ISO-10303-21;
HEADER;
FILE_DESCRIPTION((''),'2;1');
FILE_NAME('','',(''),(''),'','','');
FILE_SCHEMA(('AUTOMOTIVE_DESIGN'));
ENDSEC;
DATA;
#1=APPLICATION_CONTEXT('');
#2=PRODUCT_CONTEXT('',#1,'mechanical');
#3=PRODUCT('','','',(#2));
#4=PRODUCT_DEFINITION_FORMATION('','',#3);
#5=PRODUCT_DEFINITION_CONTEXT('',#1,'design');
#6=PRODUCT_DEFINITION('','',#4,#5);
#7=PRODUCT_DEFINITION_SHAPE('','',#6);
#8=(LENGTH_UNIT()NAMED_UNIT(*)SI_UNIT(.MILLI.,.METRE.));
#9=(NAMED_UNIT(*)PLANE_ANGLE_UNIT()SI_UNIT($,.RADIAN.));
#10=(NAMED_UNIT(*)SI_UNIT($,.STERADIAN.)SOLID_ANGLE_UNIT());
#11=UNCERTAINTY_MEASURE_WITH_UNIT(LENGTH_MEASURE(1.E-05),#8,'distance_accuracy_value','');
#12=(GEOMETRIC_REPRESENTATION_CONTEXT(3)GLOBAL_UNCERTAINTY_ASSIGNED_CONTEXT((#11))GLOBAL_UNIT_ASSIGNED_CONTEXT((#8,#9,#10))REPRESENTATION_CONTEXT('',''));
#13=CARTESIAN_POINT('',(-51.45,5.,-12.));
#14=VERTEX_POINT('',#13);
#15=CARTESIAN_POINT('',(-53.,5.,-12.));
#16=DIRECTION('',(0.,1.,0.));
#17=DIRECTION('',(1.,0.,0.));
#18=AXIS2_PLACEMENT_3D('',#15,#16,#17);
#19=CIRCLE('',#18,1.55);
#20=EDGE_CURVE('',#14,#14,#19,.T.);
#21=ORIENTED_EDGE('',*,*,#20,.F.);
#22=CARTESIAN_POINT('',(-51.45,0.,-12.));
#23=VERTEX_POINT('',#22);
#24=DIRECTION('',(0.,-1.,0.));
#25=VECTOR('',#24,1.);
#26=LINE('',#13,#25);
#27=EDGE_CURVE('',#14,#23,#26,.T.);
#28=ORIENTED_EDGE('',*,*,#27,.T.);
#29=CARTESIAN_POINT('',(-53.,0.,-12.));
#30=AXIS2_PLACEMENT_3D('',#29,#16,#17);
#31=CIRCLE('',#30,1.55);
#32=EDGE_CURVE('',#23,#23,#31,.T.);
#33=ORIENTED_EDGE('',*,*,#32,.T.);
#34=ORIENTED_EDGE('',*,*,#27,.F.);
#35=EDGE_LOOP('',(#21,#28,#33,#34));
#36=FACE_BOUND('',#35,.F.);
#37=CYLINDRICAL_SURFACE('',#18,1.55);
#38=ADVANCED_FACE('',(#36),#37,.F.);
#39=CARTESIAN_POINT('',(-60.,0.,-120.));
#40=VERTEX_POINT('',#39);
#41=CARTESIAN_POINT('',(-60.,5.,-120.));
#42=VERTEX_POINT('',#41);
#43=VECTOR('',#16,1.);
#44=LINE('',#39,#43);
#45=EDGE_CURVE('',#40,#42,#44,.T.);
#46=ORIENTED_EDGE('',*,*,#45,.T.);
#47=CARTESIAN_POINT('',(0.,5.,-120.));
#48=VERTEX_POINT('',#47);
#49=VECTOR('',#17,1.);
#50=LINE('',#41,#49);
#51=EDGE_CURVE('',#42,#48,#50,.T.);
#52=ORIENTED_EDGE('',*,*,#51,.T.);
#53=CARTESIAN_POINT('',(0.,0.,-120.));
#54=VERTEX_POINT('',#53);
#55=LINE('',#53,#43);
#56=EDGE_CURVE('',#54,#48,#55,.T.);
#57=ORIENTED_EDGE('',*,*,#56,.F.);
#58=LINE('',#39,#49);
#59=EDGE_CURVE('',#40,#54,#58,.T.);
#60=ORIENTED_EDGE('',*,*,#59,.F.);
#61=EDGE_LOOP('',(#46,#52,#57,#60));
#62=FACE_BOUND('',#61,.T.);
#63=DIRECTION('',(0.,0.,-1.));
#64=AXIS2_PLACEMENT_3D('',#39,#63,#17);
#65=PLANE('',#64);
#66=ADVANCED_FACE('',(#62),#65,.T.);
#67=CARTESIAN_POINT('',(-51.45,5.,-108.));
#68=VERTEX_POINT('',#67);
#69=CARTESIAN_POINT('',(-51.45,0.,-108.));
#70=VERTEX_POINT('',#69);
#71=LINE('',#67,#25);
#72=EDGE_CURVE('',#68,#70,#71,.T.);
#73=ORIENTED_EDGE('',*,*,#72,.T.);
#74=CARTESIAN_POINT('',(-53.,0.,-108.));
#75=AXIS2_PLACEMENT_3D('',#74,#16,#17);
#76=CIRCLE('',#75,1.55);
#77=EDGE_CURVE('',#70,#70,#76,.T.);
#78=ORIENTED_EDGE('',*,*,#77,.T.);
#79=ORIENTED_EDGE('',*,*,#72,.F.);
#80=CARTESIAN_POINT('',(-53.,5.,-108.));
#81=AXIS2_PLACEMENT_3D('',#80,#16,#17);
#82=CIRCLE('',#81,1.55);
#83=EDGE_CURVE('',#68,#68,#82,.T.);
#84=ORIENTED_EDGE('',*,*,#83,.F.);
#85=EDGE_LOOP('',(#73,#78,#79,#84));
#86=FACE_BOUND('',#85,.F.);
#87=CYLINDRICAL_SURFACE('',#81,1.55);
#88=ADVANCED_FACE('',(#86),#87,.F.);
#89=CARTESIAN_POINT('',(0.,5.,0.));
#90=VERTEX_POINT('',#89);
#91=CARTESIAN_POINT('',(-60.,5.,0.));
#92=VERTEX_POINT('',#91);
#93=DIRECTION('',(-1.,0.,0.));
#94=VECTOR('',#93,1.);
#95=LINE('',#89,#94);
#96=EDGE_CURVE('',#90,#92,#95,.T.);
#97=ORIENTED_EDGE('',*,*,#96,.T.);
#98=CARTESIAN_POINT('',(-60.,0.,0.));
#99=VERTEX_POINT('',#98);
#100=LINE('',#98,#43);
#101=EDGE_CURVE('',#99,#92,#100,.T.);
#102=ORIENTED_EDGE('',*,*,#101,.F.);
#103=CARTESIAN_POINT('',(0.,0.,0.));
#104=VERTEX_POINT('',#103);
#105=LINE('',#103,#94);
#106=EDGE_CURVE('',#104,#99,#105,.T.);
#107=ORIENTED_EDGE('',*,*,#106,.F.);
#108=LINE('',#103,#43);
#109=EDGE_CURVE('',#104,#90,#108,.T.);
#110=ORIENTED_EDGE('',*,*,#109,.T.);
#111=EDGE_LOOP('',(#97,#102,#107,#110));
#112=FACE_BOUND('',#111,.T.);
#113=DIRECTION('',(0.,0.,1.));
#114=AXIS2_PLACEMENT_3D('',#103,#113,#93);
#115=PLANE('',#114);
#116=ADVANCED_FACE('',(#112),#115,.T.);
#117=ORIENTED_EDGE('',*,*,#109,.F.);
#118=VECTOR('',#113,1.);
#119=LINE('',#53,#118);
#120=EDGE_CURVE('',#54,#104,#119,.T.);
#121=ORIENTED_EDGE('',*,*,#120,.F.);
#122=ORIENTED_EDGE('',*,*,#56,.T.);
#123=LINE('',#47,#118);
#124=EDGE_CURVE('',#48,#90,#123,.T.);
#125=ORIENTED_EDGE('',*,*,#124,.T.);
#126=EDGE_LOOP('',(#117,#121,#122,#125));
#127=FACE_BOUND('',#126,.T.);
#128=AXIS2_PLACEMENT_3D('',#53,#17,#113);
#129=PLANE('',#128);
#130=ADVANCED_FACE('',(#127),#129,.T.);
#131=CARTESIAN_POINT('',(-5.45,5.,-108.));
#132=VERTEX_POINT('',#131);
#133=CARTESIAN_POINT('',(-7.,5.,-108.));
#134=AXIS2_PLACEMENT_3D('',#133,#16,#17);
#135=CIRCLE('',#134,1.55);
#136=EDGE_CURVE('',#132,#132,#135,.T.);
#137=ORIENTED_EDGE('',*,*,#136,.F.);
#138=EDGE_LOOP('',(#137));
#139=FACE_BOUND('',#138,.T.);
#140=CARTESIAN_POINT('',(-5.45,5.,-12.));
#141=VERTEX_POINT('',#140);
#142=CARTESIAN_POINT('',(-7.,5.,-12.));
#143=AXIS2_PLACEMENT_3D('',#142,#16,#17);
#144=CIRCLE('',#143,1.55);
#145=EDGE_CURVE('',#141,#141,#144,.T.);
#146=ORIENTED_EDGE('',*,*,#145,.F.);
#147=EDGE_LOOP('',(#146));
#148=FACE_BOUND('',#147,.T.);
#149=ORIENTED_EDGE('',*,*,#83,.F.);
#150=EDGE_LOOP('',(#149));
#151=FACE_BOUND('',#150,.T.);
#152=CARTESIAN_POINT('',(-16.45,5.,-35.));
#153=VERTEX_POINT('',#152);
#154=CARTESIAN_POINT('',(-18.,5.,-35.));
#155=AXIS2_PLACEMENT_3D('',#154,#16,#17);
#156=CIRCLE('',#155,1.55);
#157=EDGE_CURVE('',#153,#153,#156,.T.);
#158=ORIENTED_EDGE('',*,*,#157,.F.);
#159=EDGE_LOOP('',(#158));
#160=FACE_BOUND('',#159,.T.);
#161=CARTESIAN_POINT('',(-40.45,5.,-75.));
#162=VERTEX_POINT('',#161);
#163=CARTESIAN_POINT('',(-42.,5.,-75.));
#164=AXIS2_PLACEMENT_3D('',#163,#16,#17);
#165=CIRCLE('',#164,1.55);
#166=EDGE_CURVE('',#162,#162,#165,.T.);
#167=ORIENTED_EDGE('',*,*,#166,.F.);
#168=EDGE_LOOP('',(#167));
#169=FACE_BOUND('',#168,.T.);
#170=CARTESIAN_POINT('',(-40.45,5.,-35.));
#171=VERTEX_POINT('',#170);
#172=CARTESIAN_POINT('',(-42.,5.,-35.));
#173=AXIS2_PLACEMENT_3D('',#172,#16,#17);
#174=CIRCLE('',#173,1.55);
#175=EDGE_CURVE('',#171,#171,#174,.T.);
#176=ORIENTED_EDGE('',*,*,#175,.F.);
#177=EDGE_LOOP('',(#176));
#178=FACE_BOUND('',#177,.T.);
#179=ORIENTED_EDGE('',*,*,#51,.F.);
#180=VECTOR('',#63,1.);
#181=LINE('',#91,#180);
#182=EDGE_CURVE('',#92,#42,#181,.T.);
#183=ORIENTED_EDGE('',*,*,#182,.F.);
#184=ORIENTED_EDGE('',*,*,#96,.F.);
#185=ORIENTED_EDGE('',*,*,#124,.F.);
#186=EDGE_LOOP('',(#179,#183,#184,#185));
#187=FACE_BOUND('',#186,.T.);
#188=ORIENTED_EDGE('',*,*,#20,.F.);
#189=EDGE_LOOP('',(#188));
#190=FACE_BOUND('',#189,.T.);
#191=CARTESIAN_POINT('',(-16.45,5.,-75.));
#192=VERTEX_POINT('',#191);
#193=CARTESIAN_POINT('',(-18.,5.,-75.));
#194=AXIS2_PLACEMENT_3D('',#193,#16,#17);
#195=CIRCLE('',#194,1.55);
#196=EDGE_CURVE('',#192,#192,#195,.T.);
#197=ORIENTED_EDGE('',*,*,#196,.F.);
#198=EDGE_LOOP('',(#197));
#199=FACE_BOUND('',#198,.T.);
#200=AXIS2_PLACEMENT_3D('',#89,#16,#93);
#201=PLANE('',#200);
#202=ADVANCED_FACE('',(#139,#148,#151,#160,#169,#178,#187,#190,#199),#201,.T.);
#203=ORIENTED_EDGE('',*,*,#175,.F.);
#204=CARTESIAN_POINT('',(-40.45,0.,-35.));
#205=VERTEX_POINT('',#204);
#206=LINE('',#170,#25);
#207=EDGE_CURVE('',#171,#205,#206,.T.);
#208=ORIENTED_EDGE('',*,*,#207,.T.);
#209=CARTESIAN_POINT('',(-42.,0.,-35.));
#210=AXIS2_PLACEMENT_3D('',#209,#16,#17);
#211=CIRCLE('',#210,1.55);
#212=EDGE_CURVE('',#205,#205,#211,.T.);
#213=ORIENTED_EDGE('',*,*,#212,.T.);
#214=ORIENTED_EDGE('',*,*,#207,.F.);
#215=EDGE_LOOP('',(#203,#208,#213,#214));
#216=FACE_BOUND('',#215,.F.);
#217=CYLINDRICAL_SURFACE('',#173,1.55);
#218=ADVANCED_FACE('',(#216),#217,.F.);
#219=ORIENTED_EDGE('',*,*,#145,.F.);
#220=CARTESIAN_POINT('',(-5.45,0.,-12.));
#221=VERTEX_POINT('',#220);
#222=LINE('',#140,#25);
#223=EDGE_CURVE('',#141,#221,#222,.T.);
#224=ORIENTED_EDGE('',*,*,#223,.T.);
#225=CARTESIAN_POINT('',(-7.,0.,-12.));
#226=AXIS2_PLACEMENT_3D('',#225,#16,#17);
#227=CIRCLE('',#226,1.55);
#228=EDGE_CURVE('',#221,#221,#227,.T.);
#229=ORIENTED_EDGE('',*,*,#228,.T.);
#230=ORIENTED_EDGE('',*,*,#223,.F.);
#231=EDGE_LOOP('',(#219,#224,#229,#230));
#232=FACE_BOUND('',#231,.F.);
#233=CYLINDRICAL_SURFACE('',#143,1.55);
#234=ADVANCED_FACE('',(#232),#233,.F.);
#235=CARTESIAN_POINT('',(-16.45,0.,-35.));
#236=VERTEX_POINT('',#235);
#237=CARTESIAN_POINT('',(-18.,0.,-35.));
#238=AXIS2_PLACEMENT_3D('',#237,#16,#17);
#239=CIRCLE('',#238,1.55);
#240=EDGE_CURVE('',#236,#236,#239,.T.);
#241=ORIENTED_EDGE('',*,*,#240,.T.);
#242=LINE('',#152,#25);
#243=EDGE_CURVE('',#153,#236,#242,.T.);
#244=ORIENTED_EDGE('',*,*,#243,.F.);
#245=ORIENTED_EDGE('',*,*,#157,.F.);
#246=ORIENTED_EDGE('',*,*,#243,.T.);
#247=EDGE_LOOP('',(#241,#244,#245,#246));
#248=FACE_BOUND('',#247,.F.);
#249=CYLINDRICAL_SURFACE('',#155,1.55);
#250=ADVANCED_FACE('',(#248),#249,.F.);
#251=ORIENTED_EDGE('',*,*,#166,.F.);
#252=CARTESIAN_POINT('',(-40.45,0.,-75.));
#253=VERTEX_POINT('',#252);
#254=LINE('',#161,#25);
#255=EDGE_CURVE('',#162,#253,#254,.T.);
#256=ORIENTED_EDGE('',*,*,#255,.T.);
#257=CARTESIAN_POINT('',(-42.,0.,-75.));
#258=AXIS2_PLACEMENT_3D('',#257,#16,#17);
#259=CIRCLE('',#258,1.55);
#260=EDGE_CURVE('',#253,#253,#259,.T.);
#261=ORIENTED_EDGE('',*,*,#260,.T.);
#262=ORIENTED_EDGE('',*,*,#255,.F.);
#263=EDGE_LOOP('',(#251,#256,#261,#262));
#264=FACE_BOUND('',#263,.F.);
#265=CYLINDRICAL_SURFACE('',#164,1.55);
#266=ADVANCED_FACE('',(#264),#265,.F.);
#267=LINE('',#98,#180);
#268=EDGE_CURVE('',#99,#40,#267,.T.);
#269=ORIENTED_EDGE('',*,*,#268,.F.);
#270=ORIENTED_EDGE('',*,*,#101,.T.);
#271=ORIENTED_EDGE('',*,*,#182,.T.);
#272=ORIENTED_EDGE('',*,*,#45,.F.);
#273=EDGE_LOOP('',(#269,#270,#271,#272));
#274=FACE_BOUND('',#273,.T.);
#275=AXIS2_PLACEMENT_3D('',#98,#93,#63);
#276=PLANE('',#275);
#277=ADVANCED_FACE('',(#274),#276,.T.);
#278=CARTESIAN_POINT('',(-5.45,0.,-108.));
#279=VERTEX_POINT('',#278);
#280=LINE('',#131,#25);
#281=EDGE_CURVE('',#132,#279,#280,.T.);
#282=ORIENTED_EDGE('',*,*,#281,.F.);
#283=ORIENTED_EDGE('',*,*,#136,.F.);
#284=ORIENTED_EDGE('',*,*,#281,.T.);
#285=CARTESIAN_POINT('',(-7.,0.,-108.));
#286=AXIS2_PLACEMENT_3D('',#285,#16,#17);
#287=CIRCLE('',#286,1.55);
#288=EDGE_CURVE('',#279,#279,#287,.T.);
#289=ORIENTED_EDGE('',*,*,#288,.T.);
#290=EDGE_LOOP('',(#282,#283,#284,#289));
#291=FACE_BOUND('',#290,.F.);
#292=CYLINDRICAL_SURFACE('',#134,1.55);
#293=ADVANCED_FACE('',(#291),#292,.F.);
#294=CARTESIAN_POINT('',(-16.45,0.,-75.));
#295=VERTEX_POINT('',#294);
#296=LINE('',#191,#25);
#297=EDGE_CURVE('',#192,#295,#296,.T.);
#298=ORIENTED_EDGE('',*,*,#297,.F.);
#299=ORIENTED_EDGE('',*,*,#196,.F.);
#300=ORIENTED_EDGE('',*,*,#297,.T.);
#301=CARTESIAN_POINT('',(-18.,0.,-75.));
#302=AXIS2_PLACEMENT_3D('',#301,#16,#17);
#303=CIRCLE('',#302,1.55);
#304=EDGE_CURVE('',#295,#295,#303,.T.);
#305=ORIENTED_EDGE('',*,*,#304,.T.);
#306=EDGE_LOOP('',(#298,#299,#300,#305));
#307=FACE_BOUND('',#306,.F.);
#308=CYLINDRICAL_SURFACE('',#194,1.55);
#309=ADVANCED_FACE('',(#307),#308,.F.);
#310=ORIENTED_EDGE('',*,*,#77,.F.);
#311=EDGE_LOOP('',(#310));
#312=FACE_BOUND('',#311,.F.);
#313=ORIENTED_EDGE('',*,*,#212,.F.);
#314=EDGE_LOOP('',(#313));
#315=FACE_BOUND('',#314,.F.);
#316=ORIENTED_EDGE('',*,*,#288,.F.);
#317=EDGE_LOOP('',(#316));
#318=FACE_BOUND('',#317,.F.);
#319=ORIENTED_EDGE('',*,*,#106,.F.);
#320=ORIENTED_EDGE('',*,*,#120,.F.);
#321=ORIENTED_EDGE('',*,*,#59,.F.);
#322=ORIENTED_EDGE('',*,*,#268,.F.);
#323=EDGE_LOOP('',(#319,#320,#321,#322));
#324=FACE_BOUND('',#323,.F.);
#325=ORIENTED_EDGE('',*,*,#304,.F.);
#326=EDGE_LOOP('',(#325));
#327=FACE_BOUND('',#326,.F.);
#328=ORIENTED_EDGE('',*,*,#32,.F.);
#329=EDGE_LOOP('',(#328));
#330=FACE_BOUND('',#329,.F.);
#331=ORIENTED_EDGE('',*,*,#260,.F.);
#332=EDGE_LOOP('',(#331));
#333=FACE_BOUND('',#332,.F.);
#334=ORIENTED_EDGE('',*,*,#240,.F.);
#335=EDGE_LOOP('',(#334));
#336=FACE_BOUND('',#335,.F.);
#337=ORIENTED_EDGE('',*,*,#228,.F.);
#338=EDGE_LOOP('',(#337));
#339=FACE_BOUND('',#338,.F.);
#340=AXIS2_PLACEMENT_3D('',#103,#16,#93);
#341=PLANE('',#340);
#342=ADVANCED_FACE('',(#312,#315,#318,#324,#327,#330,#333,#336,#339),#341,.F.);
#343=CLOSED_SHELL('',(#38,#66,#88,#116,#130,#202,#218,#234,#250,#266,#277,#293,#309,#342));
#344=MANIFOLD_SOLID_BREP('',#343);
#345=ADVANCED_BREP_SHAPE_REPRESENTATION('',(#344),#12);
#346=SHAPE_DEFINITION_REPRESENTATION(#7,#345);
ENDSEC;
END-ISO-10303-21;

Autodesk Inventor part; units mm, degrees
ref_plane "YZ Plane" through (0, 0, 0) normal (1, 0, 0) x (0, 1, 0)
ref_plane "XZ Plane" through (0, 0, 0) normal (0, 1, 0) x (-1, 0, 0)
ref_plane "XY Plane" through (0, 0, 0) normal (0, 0, 1) x (1, 0, 0)
sketch "Sketch1" plane through (0, 0, 0) normal (0, 1, 0) x (-1, 0, 0)
  line L0 (0, 0) -> (60, 0)
  line L1 (60, 0) -> (60, -120)
  line L2 (60, -120) -> (0, -120)
  line L3 (0, -120) -> (0, 0)
  dimension "d0" = 60
  dimension "d1" = 120
extrude "Extrusion1" add sketch "Sketch1" along normal blind 5
sketch "Sketch3" plane through (-60, 0, 0) normal (0, 0, 1) x (1, 0, 0)
  line L0 (0, 0) -> (60, 0) projected
  circle A0 centre (38.75, 11) radius 1.55
  circle A1 centre (21.25, 11) radius 1.55
  dimension "d22" = 3.1
  dimension "d23" = 3.1
  dimension "d25" = 17.5
  dimension "d26" = 11
  dimension "d27" = 11
extrude "Extrusion3" cut sketch "Sketch3" against normal through all
sketch "Sketch5" plane through (0, 5, 0) normal (0, 1, 0) x (1, 0, 0)
  line L0 (0, 0) -> (0, 120) projected
  line L1 (0, 120) -> (0, 108)
  line L2 (0, 108) -> (-7, 108)
  line L3 (-60, 120) -> (-60, 0) projected
  circle A0 centre (-7, 108) radius 1.55
  line L4 (0, 120) -> (-60, 120) projected
  line L5 (-30, 120) -> (-30, 0)
  line L6 (-45, 0) -> (-15, 0) projected
  line L7 (0, 60) -> (-60, 60)
  circle A1 centre (-53, 108) radius 1.55
  circle A2 centre (-7, 12) radius 1.55
  circle A3 centre (-53, 12) radius 1.55
  dimension "d47" = 12
  dimension "d48" = 7
  dimension "d49" = 3.1
extrude "Extrusion5" cut sketch "Sketch5" against normal blind 10 contours A0 | A1 | A2 | A3
sketch "Sketch7" plane through (0, 5, 0) normal (0, 1, 0) x (1, 0, 0)
  circle A0 centre (-18, 75) radius 2.45 projected
  circle A1 centre (-42, 75) radius 2.45 projected
  circle A2 centre (-42, 35) radius 2.45 projected
  circle A3 centre (-18, 35) radius 2.45 projected
  circle A4 centre (-18, 35) radius 1.55
  circle A5 centre (-42, 35) radius 1.55
  circle A6 centre (-18, 75) radius 1.55
  circle A7 centre (-42, 75) radius 1.55
  point P0 (0, 0)
  dimension "d64" = 3.1
  dimension "d65" = 3.1
  dimension "d66" = 3.1
  dimension "d67" = 3.1
extrude "Extrusion7" cut sketch "Sketch7" against normal blind 10 contours A4 | A5 | A6 | A7
properties part number "bottom_plate" material "PET Plastic"
